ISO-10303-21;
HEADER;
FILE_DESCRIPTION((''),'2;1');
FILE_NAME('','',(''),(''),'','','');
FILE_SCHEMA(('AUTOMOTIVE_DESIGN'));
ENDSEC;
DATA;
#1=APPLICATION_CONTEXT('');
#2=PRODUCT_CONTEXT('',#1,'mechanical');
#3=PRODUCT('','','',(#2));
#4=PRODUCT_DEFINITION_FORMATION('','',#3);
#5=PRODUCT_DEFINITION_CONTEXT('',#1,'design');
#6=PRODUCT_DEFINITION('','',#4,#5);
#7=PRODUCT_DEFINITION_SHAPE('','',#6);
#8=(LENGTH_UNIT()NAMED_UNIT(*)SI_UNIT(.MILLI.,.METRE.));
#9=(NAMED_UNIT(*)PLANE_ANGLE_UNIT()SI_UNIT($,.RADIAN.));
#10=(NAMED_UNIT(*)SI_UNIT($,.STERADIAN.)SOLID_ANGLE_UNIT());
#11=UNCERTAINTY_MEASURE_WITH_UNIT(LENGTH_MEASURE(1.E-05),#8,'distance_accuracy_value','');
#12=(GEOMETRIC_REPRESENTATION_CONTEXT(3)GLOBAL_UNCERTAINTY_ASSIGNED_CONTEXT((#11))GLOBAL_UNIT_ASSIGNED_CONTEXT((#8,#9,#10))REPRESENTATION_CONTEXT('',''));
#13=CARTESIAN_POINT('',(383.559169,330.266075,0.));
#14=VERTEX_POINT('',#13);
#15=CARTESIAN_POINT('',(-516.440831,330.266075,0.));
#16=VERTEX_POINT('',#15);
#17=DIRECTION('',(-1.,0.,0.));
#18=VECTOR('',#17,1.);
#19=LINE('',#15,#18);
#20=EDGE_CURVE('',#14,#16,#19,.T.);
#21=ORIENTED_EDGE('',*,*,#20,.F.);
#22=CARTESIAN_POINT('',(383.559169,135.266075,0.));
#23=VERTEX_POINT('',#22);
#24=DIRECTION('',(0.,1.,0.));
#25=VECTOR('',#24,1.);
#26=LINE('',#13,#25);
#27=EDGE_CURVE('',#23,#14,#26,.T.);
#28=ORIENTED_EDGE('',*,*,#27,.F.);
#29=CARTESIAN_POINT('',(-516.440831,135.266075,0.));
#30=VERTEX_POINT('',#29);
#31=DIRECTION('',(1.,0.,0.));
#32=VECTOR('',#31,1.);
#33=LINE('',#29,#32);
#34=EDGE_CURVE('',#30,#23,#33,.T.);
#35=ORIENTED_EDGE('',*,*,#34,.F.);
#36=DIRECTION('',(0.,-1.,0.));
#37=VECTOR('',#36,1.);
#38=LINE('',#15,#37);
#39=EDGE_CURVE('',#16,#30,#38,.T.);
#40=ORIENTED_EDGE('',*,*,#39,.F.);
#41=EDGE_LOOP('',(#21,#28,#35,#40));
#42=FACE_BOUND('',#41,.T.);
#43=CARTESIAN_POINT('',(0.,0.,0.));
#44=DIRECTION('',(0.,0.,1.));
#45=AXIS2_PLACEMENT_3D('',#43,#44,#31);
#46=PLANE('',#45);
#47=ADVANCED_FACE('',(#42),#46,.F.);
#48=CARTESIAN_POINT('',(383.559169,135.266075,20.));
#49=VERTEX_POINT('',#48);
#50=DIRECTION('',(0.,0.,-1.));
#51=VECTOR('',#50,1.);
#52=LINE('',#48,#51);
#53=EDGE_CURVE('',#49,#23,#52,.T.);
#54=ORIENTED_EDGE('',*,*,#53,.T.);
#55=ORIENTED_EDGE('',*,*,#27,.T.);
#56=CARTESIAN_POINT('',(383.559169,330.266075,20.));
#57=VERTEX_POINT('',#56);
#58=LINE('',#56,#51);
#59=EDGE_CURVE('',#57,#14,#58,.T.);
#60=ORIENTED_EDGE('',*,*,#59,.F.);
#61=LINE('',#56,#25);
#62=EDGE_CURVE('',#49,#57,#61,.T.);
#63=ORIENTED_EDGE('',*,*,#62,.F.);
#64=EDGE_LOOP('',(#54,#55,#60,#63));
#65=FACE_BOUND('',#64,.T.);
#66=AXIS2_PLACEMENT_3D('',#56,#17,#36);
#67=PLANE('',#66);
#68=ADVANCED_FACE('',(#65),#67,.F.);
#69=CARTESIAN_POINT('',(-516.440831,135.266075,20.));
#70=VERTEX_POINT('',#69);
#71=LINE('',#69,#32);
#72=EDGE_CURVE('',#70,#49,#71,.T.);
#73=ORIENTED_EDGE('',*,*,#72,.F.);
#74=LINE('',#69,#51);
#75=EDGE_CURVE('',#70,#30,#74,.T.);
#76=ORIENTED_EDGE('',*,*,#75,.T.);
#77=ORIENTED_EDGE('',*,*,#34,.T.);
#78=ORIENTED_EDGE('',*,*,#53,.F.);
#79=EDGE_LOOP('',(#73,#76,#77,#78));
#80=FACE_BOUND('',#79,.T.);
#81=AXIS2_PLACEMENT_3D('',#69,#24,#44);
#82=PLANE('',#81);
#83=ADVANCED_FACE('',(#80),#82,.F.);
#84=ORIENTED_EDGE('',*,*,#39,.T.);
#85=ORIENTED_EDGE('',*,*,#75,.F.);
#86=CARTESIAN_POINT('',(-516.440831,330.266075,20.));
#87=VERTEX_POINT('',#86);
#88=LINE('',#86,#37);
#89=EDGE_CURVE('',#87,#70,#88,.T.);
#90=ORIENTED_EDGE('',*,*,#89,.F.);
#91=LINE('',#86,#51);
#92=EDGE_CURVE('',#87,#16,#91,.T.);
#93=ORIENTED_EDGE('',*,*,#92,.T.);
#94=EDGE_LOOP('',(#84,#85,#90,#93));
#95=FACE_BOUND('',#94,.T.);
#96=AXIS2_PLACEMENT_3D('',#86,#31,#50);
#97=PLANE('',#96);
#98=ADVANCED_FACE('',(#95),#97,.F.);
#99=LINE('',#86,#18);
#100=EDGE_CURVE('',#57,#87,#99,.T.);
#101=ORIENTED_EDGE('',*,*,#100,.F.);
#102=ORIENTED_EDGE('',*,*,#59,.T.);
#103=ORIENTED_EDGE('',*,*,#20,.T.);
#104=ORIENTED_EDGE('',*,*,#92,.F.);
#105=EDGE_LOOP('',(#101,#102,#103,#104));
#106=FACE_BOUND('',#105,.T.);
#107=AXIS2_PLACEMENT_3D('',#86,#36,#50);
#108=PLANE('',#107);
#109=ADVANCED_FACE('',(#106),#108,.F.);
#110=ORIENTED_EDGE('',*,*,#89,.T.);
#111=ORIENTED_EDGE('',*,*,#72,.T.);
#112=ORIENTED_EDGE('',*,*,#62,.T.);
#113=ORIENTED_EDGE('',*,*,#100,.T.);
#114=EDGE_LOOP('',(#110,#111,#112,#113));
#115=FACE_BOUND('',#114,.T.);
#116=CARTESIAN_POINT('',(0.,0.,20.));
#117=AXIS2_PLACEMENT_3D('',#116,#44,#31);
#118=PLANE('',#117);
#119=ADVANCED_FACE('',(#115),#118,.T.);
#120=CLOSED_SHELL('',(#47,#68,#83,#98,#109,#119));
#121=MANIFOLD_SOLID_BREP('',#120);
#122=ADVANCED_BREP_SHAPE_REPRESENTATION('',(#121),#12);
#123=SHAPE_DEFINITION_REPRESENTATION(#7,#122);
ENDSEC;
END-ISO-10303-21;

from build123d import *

# Parameters (mm, degrees)
CROQUIS1_W              = 900
CROQUIS1_H              = 195
SALIENTE_EXTRUIR1_DEPTH = 20


with BuildPart() as part:
    # Croquis1 → Saliente-Extruir1 (new body)
    with BuildSketch(Plane.XY):
        with Locations((-66.440831075, 232.766075388)):
            Rectangle(CROQUIS1_W, CROQUIS1_H)
    extrude(amount=SALIENTE_EXTRUIR1_DEPTH)


solid = part.part
